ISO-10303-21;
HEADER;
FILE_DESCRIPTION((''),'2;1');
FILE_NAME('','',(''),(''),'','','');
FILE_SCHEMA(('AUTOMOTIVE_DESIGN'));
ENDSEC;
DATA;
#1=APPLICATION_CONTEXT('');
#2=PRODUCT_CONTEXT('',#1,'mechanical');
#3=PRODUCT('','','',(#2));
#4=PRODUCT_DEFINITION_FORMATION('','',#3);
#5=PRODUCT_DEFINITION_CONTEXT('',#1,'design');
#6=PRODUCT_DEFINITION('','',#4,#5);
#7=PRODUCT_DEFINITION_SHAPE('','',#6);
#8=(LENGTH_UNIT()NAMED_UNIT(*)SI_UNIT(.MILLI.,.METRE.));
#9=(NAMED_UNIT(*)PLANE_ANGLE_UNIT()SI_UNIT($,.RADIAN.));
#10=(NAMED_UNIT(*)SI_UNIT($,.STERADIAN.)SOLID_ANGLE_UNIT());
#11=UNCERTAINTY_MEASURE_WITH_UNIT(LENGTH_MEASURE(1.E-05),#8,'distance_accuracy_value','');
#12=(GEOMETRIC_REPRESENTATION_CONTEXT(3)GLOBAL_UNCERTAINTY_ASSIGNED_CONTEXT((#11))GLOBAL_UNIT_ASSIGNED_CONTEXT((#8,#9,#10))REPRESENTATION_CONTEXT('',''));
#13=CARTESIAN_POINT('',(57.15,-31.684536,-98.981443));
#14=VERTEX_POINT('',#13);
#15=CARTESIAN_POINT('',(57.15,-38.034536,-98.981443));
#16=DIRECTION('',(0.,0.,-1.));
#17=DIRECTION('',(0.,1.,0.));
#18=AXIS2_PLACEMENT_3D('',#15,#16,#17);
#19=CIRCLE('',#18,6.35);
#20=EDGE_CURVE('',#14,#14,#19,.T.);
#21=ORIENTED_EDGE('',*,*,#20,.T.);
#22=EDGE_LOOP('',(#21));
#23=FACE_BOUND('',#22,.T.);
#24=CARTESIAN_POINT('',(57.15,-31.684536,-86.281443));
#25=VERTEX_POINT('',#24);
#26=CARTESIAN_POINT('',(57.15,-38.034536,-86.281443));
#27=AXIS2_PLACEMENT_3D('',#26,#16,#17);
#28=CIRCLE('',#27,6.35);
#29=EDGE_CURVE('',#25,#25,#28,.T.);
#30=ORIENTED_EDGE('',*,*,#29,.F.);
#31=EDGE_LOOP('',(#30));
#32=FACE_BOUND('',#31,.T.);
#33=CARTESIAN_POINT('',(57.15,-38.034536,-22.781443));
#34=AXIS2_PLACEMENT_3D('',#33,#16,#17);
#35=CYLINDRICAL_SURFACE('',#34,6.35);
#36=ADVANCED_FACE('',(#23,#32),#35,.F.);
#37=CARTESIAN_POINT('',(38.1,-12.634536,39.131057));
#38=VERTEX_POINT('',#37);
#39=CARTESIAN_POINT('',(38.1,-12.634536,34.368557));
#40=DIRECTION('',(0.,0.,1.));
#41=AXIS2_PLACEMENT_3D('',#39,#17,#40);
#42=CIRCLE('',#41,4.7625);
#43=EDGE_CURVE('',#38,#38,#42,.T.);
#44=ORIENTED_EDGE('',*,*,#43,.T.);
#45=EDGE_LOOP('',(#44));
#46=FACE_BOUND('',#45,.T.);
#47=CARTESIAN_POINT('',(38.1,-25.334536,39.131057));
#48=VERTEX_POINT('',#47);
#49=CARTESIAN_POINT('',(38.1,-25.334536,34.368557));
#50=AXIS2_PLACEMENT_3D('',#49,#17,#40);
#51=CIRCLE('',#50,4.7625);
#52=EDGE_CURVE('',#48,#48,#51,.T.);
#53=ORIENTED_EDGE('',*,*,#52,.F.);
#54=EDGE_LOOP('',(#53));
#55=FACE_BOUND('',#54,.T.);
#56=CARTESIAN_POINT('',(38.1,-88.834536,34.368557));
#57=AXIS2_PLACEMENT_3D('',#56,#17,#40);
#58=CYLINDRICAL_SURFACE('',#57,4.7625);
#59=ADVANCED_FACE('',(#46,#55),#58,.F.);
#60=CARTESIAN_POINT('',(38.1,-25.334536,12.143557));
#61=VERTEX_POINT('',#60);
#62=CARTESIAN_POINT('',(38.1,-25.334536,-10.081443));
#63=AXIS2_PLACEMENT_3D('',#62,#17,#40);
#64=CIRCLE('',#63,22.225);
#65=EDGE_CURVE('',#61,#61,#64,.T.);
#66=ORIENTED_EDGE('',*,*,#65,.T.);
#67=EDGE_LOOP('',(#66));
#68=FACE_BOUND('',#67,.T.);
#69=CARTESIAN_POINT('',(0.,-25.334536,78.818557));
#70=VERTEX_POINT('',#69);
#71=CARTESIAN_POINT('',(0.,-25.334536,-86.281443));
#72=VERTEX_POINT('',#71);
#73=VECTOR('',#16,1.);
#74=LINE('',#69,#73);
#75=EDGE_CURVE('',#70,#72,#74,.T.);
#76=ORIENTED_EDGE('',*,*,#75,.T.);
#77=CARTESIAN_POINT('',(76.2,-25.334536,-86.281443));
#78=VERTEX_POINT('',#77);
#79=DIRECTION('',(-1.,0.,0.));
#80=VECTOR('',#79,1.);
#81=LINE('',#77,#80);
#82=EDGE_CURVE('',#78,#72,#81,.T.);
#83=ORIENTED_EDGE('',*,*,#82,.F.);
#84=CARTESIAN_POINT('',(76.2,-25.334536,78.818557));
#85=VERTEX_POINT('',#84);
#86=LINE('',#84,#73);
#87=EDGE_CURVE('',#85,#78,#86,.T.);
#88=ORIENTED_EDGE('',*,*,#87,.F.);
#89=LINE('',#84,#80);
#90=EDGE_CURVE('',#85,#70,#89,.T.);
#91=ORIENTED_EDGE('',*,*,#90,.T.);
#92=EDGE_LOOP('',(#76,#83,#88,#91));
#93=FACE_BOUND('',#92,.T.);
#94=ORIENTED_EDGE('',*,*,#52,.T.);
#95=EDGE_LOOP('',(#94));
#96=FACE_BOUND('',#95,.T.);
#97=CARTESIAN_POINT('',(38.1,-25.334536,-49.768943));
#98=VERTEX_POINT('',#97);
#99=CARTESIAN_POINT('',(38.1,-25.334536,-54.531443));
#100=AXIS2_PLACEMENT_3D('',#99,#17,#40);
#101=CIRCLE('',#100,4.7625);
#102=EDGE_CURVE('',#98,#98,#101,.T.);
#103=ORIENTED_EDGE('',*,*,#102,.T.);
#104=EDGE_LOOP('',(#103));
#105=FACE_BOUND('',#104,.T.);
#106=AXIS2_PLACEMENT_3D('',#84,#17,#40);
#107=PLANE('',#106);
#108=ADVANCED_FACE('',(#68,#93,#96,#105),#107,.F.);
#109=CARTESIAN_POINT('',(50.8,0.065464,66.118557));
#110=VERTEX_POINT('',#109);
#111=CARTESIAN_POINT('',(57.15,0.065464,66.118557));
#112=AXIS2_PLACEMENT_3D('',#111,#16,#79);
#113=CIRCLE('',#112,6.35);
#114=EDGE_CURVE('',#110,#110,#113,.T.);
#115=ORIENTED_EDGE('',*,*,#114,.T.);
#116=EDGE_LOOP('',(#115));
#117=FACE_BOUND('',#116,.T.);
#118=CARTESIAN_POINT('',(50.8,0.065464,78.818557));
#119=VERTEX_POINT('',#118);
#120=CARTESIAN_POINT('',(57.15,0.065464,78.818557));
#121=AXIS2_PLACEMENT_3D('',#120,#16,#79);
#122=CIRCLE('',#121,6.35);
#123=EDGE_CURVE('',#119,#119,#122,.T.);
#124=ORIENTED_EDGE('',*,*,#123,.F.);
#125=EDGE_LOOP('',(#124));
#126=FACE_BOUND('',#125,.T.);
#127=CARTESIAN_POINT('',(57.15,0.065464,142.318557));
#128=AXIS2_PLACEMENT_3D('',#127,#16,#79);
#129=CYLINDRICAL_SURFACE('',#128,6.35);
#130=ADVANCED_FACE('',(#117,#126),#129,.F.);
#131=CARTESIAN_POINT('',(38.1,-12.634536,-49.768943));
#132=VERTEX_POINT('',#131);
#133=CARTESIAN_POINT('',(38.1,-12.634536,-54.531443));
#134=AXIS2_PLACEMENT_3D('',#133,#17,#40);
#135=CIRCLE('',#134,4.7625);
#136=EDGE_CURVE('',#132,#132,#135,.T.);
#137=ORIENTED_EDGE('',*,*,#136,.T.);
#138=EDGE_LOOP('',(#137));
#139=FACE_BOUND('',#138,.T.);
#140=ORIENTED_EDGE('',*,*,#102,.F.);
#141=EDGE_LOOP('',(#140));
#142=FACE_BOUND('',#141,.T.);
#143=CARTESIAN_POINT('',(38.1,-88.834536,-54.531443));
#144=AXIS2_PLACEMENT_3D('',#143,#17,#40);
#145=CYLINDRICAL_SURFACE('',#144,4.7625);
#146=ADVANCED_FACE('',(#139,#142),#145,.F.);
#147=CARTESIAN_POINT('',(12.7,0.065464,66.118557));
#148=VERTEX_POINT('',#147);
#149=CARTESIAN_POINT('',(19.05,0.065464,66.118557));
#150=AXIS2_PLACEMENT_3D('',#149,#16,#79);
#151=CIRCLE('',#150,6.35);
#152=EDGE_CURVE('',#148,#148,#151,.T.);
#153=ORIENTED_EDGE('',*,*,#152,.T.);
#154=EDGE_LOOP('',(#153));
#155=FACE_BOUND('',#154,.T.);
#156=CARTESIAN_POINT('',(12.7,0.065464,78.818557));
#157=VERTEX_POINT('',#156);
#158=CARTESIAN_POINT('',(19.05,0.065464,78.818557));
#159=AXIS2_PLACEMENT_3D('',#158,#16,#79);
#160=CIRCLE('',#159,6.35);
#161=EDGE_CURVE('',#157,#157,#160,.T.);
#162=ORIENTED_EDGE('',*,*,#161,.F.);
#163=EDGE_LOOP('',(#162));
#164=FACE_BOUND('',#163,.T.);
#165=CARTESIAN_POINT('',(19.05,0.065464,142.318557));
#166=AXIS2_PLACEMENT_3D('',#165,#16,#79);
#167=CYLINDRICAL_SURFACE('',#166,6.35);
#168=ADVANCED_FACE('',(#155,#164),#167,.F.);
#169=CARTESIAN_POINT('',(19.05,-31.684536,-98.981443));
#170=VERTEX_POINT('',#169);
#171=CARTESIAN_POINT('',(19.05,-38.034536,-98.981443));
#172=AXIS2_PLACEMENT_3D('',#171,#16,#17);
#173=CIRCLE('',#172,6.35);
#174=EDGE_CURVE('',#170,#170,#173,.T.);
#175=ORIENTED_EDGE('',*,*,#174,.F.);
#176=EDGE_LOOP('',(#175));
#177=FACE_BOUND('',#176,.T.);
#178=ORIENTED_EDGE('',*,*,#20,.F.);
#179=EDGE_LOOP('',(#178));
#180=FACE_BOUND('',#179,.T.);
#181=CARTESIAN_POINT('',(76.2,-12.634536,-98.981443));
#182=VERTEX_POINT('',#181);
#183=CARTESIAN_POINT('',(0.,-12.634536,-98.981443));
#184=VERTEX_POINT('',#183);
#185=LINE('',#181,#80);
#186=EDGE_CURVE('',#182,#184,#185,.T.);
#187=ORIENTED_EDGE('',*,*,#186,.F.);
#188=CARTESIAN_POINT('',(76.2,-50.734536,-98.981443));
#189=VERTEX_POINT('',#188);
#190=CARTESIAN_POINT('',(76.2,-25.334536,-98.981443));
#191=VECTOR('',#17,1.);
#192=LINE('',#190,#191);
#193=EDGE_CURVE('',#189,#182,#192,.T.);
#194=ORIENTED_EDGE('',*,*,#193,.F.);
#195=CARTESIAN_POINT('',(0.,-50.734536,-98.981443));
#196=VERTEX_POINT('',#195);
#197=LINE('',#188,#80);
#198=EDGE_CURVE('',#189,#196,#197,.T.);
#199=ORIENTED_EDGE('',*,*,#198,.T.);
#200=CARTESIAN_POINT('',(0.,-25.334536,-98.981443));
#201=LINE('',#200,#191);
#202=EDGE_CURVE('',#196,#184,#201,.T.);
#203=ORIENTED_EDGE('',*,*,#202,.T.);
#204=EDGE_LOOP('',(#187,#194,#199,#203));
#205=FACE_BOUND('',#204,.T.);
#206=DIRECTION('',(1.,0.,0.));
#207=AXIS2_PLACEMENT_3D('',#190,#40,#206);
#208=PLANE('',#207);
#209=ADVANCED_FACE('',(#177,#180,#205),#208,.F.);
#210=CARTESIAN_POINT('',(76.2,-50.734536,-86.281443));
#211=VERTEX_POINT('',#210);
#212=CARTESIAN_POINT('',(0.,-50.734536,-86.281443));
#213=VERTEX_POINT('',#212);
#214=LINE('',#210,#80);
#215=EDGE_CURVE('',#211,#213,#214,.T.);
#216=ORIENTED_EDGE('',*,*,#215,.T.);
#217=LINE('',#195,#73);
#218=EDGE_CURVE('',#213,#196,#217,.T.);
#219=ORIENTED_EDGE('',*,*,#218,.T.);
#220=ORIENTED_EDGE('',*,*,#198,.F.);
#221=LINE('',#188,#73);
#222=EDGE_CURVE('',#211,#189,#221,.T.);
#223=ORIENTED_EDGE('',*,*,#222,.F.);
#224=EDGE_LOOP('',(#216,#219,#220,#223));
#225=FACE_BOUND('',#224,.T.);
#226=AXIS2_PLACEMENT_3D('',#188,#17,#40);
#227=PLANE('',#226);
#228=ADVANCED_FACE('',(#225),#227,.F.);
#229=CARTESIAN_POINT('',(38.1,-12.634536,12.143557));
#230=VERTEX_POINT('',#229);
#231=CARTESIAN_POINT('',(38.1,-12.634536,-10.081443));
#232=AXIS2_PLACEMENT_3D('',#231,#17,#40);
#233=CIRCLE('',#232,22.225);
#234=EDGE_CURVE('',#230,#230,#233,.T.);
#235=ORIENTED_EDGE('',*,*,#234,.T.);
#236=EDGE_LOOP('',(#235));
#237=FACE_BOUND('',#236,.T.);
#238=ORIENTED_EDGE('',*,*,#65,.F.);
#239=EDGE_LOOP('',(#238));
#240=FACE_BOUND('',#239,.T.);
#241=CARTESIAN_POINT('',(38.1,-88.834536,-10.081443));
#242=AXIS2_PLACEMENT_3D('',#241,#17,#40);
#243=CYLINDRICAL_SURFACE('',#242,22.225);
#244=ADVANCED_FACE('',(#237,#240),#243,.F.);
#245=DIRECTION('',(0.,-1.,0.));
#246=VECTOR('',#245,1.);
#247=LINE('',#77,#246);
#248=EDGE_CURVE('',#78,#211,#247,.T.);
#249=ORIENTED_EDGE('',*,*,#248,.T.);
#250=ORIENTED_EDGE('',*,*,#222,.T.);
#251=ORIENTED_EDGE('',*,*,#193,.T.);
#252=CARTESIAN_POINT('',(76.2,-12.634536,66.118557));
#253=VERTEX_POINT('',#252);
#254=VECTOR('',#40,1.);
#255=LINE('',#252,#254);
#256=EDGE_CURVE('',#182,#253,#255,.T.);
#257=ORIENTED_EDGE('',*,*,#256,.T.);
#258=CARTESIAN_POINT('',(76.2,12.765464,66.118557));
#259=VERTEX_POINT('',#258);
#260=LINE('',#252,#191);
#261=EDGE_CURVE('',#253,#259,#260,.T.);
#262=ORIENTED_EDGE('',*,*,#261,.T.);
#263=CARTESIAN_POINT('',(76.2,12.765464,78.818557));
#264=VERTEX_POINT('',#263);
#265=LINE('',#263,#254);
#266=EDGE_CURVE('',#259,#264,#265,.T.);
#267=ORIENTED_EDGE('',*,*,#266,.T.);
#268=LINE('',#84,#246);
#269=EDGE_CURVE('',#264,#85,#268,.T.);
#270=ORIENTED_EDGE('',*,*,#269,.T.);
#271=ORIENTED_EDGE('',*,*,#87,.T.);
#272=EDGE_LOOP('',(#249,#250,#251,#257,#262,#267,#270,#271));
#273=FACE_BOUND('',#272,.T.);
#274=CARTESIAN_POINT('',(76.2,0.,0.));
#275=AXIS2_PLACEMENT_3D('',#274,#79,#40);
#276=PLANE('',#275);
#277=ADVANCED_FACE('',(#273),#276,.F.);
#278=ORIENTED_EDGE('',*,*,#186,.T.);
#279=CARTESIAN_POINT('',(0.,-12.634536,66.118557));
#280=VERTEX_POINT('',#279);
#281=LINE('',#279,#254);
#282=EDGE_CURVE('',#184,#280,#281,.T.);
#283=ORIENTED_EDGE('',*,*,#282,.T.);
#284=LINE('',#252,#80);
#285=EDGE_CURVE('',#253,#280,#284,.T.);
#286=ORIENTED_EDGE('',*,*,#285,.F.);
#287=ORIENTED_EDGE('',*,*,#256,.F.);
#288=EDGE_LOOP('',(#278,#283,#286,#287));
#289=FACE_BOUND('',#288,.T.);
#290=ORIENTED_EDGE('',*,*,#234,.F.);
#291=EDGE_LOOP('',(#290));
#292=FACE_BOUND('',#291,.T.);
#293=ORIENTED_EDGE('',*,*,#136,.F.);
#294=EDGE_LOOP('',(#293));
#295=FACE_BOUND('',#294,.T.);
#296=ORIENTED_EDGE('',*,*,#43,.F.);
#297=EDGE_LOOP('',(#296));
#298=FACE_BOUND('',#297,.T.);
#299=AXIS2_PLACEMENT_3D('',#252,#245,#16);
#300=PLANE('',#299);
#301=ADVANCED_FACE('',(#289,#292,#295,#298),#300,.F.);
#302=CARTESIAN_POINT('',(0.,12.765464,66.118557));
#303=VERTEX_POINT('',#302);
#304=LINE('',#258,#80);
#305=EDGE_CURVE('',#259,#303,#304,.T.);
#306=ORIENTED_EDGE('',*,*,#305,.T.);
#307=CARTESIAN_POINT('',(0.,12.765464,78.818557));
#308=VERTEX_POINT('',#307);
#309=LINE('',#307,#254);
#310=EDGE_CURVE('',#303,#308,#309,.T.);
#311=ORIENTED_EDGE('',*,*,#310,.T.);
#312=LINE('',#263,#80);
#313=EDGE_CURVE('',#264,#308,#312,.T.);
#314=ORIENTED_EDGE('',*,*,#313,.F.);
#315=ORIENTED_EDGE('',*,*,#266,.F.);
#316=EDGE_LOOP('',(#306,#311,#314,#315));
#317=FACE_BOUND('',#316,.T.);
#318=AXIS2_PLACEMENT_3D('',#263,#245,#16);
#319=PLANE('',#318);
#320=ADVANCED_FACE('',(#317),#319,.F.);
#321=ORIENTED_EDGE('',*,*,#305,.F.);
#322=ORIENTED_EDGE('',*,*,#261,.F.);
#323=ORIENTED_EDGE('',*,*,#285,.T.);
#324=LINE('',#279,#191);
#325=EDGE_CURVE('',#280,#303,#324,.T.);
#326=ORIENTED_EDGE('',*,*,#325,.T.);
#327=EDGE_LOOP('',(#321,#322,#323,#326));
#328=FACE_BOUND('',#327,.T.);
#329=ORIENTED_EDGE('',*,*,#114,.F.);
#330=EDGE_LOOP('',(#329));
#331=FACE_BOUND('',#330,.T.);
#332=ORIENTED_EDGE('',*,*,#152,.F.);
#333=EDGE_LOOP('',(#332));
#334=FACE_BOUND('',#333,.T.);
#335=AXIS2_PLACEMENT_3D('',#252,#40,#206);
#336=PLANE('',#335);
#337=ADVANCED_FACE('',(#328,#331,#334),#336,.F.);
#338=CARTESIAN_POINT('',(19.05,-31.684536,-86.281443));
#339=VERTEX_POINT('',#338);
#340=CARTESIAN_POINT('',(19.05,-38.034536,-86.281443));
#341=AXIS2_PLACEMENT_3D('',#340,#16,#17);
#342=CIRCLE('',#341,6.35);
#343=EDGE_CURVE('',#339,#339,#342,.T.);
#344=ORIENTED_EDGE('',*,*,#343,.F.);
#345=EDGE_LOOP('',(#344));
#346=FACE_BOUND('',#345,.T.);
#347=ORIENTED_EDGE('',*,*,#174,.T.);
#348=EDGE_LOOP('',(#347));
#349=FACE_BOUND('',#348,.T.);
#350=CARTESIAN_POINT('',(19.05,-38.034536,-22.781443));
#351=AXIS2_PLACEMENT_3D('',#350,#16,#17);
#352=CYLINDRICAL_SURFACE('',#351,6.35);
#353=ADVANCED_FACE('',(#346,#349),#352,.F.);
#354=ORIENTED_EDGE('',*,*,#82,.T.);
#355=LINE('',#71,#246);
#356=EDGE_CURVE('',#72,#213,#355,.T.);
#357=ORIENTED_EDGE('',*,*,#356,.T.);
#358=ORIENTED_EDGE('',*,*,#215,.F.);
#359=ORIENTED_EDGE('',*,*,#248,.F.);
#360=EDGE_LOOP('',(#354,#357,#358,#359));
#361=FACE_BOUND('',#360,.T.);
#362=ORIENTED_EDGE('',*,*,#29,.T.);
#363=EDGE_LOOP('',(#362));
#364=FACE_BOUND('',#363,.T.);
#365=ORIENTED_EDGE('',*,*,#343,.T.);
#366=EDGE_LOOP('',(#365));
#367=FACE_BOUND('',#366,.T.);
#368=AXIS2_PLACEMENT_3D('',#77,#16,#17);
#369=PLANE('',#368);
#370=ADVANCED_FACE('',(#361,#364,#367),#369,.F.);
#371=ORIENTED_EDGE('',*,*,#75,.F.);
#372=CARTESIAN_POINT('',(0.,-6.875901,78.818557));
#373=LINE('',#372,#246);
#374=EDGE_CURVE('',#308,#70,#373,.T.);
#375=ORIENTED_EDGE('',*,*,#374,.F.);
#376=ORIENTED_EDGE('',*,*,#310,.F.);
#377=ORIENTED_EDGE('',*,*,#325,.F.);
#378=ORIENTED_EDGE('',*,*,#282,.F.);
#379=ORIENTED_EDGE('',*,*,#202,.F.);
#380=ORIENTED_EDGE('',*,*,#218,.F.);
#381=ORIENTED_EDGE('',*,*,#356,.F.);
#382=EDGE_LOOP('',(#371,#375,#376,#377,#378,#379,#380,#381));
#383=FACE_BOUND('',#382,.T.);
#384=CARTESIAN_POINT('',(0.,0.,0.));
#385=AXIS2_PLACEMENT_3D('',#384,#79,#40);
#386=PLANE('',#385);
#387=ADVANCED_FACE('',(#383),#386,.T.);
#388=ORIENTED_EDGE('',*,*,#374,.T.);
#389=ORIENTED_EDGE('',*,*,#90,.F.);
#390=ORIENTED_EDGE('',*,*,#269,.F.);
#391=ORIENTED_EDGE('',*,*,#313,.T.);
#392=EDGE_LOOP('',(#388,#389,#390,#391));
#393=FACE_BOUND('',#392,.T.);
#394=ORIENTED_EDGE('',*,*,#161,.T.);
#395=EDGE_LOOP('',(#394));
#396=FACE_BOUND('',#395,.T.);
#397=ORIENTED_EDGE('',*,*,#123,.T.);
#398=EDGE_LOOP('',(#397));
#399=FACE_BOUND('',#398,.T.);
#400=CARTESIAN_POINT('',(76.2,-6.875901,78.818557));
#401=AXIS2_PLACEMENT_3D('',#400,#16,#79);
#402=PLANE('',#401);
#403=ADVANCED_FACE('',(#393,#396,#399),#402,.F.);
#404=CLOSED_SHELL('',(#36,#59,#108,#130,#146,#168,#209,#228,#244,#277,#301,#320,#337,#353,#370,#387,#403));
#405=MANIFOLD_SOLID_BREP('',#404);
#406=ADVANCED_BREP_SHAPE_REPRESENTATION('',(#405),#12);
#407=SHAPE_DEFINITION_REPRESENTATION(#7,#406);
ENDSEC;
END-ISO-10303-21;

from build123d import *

# Parameters (mm, degrees)
BOSS_EXTRUDE1_DEPTH = 76.2
SKETCH3_R           = 6.35
CUT_EXTRUDE1_DEPTH  = 76.2
SKETCH4_R           = 6.35
CUT_EXTRUDE2_DEPTH  = 76.2
SKETCH5_R           = 22.225
SKETCH5_R_2         = 4.7625
CUT_EXTRUDE3_DEPTH  = 76.2


with BuildPart() as part:
    # Sketch2 → Boss-Extrude1 (new body)
    with BuildSketch(Plane(origin=(0, 0, 0), x_dir=(0, 0, -1), z_dir=(1, 0, 0))):
        Polygon((-78.818556701, -25.334536082), (86.281443299, -25.334536082), (86.281443299, -50.734536082), (98.981443299, -50.734536082), (98.981443299, -25.334536082), (98.981443299, -12.634536082), (-66.118556701, -12.634536082), (-66.118556701, 12.765463918), (-78.818556701, 12.765463918), (-78.818556701, -6.875900942), align=None)
    extrude(amount=BOSS_EXTRUDE1_DEPTH)

    # Sketch3 → Cut-Extrude1 (cut)
    with BuildSketch(Plane(origin=(0, 0, -98.981443299), x_dir=(-1, 0, 0), z_dir=(0, 0, -1))):
        with Locations((-57.15, -38.034536082)):
            Circle(SKETCH3_R)
        with Locations((-19.05, -38.034536082)):
            Circle(SKETCH3_R)
    extrude(amount=-CUT_EXTRUDE1_DEPTH, mode=Mode.SUBTRACT)

    # Sketch4 → Cut-Extrude2 (cut)
    with BuildSketch(Plane(origin=(0, 0, 66.118556701), x_dir=(-1, 0, 0), z_dir=(0, 0, -1))):
        with Locations((-57.15, 0.065463918)):
            Circle(SKETCH4_R)
        with Locations((-19.05, 0.065463918)):
            Circle(SKETCH4_R)
    extrude(amount=-CUT_EXTRUDE2_DEPTH, mode=Mode.SUBTRACT)

    # Sketch5 → Cut-Extrude3 (cut)
    with BuildSketch(Plane(origin=(0, -12.634536082, 0), x_dir=(1, 0, 0), z_dir=(0, 1, 0))):
        with Locations((38.1, 10.081443299)):
            Circle(SKETCH5_R)
        with Locations((38.1, 54.531443299)):
            Circle(SKETCH5_R_2)
        with Locations((38.1, -34.368556701)):
            Circle(SKETCH5_R_2)
    extrude(amount=-CUT_EXTRUDE3_DEPTH, mode=Mode.SUBTRACT)


solid = part.part
